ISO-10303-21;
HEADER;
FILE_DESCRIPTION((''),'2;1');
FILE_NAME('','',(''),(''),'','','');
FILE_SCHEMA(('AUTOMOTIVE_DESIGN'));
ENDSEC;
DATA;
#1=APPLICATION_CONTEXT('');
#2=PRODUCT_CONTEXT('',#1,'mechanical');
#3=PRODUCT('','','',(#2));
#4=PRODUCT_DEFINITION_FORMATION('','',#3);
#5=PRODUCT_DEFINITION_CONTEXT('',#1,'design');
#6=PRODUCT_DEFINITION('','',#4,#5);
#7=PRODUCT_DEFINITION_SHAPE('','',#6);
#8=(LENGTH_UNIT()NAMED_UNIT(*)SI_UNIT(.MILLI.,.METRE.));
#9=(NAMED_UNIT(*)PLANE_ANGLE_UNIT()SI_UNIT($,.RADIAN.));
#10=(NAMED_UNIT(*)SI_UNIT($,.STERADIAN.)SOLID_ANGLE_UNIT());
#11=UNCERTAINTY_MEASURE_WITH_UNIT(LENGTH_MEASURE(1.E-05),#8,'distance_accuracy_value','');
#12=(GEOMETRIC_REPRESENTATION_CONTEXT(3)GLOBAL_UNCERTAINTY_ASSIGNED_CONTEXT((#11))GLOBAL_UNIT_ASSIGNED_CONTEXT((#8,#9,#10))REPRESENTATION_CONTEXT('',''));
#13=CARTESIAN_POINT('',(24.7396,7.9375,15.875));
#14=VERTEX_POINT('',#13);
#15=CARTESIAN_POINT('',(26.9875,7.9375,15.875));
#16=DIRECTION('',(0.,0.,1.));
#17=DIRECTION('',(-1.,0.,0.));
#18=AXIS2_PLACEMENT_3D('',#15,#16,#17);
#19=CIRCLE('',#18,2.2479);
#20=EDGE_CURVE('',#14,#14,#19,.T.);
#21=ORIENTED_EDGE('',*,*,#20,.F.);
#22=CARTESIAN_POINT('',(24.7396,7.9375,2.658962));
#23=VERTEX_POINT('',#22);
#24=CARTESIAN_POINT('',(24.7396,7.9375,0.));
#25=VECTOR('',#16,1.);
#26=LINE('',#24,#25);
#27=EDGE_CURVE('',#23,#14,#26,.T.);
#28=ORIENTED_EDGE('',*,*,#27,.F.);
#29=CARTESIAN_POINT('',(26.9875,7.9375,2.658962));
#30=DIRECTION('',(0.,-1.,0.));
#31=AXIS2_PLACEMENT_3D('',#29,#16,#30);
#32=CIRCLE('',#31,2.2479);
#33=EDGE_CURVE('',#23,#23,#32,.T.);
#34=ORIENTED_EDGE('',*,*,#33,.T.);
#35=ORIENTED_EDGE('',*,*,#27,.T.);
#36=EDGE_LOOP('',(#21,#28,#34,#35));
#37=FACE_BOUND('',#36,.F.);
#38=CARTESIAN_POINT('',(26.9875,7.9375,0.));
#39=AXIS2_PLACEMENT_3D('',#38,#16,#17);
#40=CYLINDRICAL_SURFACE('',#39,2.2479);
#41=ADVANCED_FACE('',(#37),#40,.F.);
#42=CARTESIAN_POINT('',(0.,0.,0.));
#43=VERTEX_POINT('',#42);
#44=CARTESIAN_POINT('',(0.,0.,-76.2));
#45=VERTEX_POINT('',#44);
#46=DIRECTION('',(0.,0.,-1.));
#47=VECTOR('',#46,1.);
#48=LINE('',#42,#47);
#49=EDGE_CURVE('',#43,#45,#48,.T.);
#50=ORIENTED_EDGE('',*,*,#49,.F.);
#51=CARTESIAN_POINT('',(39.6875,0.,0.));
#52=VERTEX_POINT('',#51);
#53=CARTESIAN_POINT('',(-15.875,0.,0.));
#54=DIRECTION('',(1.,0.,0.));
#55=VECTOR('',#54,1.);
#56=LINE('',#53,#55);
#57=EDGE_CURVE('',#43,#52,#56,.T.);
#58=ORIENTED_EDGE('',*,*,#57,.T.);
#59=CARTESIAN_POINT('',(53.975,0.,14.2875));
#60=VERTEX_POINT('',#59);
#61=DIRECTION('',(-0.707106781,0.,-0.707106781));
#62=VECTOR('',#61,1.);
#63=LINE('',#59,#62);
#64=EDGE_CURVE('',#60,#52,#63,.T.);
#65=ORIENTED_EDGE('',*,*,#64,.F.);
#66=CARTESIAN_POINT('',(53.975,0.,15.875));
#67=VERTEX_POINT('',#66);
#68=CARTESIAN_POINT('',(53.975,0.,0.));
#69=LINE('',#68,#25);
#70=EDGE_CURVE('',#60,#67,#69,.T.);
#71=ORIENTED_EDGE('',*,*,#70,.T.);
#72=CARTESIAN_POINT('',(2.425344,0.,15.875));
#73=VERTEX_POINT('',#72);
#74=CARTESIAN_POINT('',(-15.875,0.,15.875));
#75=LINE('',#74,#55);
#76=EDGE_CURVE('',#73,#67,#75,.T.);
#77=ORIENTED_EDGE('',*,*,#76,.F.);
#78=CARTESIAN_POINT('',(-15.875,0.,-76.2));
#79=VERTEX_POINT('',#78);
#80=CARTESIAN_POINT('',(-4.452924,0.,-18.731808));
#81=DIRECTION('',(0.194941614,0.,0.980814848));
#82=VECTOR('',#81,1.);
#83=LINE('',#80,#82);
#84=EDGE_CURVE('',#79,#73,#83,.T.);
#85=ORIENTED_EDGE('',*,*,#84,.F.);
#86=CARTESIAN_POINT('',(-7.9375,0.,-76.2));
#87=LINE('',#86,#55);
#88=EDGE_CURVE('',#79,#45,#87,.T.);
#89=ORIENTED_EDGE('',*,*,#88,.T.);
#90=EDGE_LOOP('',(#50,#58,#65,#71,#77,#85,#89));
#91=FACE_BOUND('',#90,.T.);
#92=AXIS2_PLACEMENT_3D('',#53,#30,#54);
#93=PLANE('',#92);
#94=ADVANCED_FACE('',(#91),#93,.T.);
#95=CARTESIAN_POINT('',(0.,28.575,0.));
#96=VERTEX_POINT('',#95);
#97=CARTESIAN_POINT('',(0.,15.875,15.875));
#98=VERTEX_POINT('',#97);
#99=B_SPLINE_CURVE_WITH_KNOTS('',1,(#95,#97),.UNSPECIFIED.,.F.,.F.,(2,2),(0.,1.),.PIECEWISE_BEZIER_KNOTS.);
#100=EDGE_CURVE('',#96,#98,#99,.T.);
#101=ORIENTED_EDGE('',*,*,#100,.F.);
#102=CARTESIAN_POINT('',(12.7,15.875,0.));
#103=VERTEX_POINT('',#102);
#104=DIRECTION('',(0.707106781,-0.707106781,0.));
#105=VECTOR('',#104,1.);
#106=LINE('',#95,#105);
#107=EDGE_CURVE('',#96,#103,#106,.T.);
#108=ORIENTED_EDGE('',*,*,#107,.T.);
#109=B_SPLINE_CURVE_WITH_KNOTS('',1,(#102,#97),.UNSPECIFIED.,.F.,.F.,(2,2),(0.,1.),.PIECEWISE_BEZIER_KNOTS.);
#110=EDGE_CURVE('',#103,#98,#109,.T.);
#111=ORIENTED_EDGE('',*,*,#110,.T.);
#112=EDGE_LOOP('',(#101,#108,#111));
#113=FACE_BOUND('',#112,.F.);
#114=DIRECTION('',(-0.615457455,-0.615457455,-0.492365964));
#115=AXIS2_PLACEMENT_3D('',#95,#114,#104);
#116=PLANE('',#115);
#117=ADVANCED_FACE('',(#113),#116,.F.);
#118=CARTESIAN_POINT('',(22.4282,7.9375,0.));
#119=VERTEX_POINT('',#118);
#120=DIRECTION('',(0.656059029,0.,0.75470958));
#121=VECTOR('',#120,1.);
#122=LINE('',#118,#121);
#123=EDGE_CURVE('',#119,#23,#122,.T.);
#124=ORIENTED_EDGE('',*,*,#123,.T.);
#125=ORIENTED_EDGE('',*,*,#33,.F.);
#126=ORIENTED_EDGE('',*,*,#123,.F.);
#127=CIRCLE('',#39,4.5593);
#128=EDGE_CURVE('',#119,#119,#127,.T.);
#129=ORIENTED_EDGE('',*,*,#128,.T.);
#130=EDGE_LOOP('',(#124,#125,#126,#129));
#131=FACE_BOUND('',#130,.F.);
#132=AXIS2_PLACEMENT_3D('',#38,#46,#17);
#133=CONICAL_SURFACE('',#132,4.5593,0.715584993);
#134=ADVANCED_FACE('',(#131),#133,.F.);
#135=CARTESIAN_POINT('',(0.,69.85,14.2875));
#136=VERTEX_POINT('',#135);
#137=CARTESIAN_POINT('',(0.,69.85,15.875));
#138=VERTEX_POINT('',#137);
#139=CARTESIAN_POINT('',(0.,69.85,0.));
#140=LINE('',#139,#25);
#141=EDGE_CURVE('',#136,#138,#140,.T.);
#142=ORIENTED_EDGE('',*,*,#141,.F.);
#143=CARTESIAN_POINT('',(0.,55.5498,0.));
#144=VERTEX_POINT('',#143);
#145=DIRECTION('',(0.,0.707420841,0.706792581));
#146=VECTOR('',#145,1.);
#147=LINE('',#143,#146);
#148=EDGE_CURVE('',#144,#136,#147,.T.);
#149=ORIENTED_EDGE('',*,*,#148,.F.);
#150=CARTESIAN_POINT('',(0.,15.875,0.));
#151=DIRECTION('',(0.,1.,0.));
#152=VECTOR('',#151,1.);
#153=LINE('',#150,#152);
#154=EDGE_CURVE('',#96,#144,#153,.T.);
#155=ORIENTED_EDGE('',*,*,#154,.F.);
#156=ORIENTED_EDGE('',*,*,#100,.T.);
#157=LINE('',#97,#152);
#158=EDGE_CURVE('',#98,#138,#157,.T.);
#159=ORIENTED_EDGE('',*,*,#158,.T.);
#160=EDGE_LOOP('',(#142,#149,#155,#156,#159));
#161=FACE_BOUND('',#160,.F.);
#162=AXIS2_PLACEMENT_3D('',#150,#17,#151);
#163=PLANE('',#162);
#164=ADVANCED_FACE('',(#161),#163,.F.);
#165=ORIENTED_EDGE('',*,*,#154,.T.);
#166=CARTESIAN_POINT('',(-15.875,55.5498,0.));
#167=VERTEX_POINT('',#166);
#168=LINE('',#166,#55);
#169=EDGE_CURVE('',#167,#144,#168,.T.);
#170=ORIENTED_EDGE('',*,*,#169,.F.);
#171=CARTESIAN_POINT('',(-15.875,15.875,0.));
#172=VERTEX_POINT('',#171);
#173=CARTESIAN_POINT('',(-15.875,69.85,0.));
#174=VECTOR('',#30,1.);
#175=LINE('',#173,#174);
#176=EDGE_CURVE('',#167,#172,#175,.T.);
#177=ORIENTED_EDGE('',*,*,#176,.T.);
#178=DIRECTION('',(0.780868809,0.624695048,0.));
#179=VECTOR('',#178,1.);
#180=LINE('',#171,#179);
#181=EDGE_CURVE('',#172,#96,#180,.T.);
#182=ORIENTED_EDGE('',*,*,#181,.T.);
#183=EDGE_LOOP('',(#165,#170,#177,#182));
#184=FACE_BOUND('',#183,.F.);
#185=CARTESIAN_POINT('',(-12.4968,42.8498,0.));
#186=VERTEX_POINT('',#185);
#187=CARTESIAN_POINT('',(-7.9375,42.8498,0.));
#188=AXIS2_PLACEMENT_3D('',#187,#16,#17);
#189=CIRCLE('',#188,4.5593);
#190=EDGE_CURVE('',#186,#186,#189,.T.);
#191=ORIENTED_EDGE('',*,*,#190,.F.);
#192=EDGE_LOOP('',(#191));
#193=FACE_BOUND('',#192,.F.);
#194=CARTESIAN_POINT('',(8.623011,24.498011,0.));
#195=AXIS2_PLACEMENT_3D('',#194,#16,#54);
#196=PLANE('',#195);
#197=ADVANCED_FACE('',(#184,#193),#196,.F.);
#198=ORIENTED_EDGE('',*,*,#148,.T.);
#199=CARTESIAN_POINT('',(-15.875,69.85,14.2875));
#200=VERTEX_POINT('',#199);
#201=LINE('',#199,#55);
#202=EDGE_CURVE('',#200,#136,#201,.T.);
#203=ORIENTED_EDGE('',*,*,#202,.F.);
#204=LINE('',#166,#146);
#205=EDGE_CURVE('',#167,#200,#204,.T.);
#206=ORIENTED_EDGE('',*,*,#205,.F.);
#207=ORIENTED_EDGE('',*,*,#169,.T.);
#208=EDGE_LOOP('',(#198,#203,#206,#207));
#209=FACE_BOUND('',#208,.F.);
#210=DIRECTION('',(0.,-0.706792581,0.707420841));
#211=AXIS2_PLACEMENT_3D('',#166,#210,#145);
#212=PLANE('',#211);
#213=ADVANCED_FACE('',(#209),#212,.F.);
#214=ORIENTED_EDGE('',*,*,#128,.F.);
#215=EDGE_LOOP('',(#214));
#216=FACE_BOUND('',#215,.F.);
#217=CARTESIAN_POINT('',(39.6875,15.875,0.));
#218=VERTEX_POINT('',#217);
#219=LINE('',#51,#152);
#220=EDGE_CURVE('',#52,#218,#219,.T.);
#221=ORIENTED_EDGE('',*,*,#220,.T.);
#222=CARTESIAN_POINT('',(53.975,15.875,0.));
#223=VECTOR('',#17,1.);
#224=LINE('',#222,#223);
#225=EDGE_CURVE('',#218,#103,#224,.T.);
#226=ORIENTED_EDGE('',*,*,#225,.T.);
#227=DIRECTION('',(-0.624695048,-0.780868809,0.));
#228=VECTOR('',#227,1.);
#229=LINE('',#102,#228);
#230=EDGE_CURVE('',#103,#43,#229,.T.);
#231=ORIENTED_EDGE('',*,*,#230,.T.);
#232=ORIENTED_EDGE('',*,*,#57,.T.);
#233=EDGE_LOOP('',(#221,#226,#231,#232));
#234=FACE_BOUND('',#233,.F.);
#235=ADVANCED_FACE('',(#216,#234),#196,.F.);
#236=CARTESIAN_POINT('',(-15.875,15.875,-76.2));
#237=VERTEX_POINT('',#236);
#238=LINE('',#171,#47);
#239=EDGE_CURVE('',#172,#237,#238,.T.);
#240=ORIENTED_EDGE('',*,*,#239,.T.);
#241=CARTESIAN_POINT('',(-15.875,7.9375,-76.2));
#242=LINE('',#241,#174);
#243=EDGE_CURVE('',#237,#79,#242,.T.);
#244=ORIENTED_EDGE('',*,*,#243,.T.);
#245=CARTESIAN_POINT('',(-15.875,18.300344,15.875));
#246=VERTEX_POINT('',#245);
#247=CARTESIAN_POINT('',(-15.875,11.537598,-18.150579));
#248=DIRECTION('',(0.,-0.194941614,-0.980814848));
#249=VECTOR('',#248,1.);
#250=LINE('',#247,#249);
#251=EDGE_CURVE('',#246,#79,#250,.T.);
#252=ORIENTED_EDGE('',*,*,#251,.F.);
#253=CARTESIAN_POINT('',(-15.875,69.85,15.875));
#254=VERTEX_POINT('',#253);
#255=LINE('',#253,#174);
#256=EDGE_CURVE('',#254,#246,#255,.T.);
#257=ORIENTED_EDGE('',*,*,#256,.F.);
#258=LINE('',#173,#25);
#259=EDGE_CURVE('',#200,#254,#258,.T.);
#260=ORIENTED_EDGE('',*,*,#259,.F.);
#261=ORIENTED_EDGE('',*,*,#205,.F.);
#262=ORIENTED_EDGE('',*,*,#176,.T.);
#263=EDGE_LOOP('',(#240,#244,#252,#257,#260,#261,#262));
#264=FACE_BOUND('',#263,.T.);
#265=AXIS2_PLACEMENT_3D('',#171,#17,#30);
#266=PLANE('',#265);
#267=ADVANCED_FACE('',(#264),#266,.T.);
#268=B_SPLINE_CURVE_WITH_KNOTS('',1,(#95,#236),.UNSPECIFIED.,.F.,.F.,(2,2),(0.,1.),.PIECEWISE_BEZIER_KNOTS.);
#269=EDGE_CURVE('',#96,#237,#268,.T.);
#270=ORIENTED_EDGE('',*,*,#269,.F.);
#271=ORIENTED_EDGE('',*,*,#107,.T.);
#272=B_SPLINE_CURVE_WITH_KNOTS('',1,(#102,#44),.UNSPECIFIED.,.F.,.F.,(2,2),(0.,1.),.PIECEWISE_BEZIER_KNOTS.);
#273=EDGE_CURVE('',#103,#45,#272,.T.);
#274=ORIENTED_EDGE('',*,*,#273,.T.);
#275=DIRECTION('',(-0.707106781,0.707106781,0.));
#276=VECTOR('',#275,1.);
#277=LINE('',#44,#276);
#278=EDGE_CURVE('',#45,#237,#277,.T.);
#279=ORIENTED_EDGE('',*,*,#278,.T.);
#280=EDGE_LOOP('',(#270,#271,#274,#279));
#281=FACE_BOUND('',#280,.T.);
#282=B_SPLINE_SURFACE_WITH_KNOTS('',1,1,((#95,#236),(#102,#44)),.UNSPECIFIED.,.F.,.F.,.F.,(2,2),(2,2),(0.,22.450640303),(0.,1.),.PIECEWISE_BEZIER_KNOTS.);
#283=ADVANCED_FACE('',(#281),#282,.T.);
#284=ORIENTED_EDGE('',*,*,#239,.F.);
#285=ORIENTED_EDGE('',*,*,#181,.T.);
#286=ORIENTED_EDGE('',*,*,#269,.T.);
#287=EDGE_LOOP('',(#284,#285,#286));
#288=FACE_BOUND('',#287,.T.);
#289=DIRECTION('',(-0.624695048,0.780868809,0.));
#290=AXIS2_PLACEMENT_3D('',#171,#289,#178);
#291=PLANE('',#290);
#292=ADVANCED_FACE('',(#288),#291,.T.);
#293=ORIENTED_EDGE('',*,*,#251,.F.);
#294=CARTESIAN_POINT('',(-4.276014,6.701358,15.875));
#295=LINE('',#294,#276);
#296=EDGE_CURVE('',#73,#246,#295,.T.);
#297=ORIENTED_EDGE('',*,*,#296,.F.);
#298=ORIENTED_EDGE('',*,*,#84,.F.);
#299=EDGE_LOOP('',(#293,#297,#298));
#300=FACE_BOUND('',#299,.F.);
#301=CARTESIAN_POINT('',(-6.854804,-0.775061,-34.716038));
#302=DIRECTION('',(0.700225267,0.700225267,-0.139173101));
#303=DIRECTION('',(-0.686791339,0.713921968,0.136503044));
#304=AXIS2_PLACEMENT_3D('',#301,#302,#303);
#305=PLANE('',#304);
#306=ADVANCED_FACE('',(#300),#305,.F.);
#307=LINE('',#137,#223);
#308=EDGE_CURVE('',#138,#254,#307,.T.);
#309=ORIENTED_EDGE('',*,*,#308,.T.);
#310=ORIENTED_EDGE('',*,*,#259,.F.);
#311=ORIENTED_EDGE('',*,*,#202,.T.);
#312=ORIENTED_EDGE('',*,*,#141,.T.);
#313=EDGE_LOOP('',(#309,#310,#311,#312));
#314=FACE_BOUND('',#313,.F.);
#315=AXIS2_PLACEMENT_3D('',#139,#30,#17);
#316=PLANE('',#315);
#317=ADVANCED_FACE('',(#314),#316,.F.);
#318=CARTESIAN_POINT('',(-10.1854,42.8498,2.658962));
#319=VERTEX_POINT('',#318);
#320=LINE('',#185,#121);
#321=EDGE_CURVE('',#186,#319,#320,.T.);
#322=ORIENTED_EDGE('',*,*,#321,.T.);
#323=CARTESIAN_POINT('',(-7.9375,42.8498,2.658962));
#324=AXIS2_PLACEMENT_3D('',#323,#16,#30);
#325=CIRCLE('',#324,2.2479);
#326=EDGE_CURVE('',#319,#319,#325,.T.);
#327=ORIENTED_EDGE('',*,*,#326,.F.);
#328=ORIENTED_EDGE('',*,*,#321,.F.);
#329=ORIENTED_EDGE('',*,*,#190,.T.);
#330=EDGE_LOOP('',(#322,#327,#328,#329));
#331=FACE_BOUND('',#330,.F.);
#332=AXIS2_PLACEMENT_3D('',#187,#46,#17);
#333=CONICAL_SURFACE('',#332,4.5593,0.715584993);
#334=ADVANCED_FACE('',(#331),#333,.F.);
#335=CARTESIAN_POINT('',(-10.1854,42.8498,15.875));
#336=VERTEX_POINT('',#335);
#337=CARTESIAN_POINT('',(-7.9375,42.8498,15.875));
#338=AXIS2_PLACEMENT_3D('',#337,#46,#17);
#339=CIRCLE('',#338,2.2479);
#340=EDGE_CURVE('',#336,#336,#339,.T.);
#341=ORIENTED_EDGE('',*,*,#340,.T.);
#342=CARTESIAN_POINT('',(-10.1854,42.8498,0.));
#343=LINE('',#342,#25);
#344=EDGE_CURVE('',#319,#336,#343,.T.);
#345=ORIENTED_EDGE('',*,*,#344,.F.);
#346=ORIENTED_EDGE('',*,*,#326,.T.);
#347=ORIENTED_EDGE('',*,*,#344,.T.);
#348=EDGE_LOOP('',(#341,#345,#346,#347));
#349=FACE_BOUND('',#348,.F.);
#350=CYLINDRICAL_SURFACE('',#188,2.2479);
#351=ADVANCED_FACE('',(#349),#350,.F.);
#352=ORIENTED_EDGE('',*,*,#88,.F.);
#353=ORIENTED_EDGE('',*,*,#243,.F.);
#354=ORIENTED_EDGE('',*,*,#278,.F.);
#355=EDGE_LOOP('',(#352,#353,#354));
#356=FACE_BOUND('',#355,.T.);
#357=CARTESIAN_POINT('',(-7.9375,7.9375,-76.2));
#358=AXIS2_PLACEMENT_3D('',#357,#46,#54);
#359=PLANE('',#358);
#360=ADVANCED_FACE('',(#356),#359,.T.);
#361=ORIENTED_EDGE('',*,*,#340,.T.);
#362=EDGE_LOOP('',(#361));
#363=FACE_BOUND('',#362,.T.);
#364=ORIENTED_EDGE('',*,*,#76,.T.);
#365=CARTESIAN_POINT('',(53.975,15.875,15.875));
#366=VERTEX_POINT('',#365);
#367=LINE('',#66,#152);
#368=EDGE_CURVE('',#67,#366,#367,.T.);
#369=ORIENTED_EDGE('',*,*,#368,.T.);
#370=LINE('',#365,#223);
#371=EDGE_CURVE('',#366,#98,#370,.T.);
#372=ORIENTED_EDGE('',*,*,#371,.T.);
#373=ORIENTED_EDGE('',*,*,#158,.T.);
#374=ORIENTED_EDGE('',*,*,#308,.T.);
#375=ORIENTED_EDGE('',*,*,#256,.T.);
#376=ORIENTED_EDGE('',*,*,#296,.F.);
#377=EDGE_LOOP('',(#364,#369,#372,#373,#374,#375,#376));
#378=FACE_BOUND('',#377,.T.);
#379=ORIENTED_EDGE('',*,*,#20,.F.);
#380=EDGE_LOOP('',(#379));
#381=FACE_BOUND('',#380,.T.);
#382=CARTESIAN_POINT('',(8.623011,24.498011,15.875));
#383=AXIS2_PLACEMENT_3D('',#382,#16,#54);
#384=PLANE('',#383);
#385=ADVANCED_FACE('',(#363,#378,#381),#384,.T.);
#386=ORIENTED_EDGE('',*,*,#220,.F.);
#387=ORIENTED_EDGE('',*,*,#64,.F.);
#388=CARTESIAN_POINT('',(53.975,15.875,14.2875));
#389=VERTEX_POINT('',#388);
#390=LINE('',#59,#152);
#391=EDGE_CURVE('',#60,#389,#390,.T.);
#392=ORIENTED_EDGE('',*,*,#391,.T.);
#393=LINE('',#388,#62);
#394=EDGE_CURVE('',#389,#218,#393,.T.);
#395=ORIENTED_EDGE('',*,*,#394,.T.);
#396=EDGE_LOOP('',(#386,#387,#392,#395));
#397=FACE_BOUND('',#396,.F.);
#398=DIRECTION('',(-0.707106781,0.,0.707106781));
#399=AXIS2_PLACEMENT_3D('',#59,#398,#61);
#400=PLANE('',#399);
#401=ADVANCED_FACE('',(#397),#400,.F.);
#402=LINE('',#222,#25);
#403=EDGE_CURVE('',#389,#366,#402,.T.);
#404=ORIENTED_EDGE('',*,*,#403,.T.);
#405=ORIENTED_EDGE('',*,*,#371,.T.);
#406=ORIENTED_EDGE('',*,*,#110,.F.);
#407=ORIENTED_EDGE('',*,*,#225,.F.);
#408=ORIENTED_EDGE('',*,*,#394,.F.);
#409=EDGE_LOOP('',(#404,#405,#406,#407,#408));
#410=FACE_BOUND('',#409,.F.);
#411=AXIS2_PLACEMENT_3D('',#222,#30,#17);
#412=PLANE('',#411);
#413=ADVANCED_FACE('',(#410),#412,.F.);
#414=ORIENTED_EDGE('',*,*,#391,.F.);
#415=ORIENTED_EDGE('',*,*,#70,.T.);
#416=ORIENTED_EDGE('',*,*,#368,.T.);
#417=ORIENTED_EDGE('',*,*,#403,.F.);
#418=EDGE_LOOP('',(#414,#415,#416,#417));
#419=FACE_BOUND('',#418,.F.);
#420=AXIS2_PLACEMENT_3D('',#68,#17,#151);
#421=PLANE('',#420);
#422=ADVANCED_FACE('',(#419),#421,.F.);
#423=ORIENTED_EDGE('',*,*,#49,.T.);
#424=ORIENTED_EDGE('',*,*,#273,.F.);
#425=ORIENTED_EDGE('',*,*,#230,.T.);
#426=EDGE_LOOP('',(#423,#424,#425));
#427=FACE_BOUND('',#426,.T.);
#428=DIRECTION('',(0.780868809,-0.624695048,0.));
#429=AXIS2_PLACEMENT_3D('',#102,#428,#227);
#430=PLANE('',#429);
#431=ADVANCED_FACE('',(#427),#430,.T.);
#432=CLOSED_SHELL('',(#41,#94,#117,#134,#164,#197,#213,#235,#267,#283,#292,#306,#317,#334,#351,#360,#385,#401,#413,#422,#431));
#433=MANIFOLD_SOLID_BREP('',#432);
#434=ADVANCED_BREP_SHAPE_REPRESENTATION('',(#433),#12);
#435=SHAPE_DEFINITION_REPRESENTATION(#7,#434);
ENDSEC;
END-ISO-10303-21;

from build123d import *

# Parameters (mm, degrees)
F1_DEPTH        = 15.875
F2_W            = 15.875
F2_H            = 15.875
F3_DEPTH        = 76.2
F6_W            = 105.9110574424
F6_H            = 138.153988868
F7_DEPTH        = 12.8143632709
F20_DEPTH       = 15.875
F22_DEPTH       = 15.875
F24_D           = 4.4958
F24_DEPTH       = 15.875
F24_CSINK_D     = 9.1186
F24_CSINK_ANGLE = 82
F24_TIP         = 1.3506745855


with BuildPart() as f1:
    # F0 (on Top) → F1 (new body)
    with BuildSketch(Plane.XY):
        Polygon((-15.875, 0), (0, 0), (53.975, 0), (53.975, 15.875), (0, 15.875), (0, 69.85), (-15.875, 69.85), align=None)
    extrude(amount=F1_DEPTH)

    # F2 (on face) → F3 (join)
    with BuildSketch(Plane(origin=(0, 0, 0), x_dir=(1, 0, 0), z_dir=(0, 0, -1))):
        with Locations((-7.9375, -7.9375)):
            Rectangle(F2_W, F2_H)
    extrude(amount=F3_DEPTH)

    # F6 (on face) → F7 (cut, through all)
    with BuildSketch(Plane(origin=(-0.3578752004, -0.3578752004, 0.0711293976), x_dir=(-0.6867913388, 0.7139219677, 0.1365030439), z_dir=(0.7002252666, 0.7002252666, -0.139173101))):
        with Locations((-0.5843583494, -35.3862922639)):
            Rectangle(F6_W, F6_H)
    extrude(amount=-F7_DEPTH, mode=Mode.SUBTRACT)

    # F9 (on face) → F10 section 0
    with BuildSketch(Plane(origin=(0, 0, 0), x_dir=(1, 0, 0), z_dir=(0, 0, -1)), mode=Mode.PRIVATE) as f10_s0:
        Polygon((0, -28.575), (0, -15.875), (-15.875, -15.875), align=None)
    loft([f10_s0.sketch, Vertex(-15.875, 15.875, -76.2)])

    # F11 (on face) → F12 section 0
    with BuildSketch(Plane(origin=(0, 0, 0), x_dir=(1, 0, 0), z_dir=(0, 0, -1)), mode=Mode.PRIVATE) as f12_s0:
        Polygon((0, 0), (0, -15.875), (12.7, -15.875), align=None)
    loft([f12_s0.sketch, Vertex(0, 0, -76.2)])

    # F13 (on face) → F14 section 0
    with BuildSketch(Plane(origin=(0, 0, 0), x_dir=(1, 0, 0), z_dir=(0, 0, -1)), mode=Mode.PRIVATE) as f14_s0:
        Polygon((12.7, -15.875), (0, -15.875), (0, -28.575), align=None)
    loft([f14_s0.sketch, Vertex(0, 15.875, 15.875)])

    # F15 (on face) → F16 section 0
    with BuildSketch(Plane(origin=(0, 0, -76.2), x_dir=(1, 0, 0), z_dir=(0, 0, -1)), mode=Mode.PRIVATE) as f16_s0:
        Polygon((0, -15.875), (0, 0), (-15.875, -15.875), align=None)
    loft([f16_s0.sketch, Vertex(0, 15.875, 0)], mode=Mode.SUBTRACT)

    # F14_face (on face) → F18 section 0
    with BuildSketch(Plane(origin=(4.2333333333, 20.1083333333, 0), x_dir=(1, 0, 0), z_dir=(0, 0, -1))):
        Polygon((8.4666666667, 4.2333333333), (-4.2333333333, 4.2333333333), (-4.2333333333, -8.4666666667), align=None)
    # F3_face (on face) → F18 section 1
    with BuildSketch(Plane(origin=(-7.9375, 7.9375, -76.2), x_dir=(1, 0, 0), z_dir=(0, 0, -1))):
        Polygon((-7.9375, -7.9375), (7.9375, 7.9375), (-7.9375, 7.9375), align=None)
    loft()

    # F19 (on face) → F20 (cut, through all)
    with BuildSketch(Plane(origin=(-15.875, 0, 0), x_dir=(0, -1, 0), z_dir=(-1, 0, 0))):
        Polygon((-69.85, 14.2875), (-69.85, 0), (-55.5498, 0), align=None)
    extrude(amount=-F20_DEPTH, mode=Mode.SUBTRACT)

    # F21 (on face) → F22 (cut, through all)
    with BuildSketch(Plane.XZ):
        Polygon((39.6875, 0), (53.975, 0), (53.975, 14.2875), align=None)
    extrude(amount=-F22_DEPTH, mode=Mode.SUBTRACT)

    # F24
    with Locations(Plane(origin=(0, 0, 0), x_dir=(1, 0, 0), z_dir=(0, 0, -1))):
        with Locations((-7.9375, -42.8498), (26.9875, -7.9375)):
            CounterSinkHole(F24_D / 2, F24_CSINK_D / 2, depth=F24_DEPTH, counter_sink_angle=F24_CSINK_ANGLE)
            with Locations((0, 0, -(F24_DEPTH + F24_TIP / 2))):  # 118° drill point
                Cone(0, F24_D / 2, F24_TIP, mode=Mode.SUBTRACT)


solid = f1.part
